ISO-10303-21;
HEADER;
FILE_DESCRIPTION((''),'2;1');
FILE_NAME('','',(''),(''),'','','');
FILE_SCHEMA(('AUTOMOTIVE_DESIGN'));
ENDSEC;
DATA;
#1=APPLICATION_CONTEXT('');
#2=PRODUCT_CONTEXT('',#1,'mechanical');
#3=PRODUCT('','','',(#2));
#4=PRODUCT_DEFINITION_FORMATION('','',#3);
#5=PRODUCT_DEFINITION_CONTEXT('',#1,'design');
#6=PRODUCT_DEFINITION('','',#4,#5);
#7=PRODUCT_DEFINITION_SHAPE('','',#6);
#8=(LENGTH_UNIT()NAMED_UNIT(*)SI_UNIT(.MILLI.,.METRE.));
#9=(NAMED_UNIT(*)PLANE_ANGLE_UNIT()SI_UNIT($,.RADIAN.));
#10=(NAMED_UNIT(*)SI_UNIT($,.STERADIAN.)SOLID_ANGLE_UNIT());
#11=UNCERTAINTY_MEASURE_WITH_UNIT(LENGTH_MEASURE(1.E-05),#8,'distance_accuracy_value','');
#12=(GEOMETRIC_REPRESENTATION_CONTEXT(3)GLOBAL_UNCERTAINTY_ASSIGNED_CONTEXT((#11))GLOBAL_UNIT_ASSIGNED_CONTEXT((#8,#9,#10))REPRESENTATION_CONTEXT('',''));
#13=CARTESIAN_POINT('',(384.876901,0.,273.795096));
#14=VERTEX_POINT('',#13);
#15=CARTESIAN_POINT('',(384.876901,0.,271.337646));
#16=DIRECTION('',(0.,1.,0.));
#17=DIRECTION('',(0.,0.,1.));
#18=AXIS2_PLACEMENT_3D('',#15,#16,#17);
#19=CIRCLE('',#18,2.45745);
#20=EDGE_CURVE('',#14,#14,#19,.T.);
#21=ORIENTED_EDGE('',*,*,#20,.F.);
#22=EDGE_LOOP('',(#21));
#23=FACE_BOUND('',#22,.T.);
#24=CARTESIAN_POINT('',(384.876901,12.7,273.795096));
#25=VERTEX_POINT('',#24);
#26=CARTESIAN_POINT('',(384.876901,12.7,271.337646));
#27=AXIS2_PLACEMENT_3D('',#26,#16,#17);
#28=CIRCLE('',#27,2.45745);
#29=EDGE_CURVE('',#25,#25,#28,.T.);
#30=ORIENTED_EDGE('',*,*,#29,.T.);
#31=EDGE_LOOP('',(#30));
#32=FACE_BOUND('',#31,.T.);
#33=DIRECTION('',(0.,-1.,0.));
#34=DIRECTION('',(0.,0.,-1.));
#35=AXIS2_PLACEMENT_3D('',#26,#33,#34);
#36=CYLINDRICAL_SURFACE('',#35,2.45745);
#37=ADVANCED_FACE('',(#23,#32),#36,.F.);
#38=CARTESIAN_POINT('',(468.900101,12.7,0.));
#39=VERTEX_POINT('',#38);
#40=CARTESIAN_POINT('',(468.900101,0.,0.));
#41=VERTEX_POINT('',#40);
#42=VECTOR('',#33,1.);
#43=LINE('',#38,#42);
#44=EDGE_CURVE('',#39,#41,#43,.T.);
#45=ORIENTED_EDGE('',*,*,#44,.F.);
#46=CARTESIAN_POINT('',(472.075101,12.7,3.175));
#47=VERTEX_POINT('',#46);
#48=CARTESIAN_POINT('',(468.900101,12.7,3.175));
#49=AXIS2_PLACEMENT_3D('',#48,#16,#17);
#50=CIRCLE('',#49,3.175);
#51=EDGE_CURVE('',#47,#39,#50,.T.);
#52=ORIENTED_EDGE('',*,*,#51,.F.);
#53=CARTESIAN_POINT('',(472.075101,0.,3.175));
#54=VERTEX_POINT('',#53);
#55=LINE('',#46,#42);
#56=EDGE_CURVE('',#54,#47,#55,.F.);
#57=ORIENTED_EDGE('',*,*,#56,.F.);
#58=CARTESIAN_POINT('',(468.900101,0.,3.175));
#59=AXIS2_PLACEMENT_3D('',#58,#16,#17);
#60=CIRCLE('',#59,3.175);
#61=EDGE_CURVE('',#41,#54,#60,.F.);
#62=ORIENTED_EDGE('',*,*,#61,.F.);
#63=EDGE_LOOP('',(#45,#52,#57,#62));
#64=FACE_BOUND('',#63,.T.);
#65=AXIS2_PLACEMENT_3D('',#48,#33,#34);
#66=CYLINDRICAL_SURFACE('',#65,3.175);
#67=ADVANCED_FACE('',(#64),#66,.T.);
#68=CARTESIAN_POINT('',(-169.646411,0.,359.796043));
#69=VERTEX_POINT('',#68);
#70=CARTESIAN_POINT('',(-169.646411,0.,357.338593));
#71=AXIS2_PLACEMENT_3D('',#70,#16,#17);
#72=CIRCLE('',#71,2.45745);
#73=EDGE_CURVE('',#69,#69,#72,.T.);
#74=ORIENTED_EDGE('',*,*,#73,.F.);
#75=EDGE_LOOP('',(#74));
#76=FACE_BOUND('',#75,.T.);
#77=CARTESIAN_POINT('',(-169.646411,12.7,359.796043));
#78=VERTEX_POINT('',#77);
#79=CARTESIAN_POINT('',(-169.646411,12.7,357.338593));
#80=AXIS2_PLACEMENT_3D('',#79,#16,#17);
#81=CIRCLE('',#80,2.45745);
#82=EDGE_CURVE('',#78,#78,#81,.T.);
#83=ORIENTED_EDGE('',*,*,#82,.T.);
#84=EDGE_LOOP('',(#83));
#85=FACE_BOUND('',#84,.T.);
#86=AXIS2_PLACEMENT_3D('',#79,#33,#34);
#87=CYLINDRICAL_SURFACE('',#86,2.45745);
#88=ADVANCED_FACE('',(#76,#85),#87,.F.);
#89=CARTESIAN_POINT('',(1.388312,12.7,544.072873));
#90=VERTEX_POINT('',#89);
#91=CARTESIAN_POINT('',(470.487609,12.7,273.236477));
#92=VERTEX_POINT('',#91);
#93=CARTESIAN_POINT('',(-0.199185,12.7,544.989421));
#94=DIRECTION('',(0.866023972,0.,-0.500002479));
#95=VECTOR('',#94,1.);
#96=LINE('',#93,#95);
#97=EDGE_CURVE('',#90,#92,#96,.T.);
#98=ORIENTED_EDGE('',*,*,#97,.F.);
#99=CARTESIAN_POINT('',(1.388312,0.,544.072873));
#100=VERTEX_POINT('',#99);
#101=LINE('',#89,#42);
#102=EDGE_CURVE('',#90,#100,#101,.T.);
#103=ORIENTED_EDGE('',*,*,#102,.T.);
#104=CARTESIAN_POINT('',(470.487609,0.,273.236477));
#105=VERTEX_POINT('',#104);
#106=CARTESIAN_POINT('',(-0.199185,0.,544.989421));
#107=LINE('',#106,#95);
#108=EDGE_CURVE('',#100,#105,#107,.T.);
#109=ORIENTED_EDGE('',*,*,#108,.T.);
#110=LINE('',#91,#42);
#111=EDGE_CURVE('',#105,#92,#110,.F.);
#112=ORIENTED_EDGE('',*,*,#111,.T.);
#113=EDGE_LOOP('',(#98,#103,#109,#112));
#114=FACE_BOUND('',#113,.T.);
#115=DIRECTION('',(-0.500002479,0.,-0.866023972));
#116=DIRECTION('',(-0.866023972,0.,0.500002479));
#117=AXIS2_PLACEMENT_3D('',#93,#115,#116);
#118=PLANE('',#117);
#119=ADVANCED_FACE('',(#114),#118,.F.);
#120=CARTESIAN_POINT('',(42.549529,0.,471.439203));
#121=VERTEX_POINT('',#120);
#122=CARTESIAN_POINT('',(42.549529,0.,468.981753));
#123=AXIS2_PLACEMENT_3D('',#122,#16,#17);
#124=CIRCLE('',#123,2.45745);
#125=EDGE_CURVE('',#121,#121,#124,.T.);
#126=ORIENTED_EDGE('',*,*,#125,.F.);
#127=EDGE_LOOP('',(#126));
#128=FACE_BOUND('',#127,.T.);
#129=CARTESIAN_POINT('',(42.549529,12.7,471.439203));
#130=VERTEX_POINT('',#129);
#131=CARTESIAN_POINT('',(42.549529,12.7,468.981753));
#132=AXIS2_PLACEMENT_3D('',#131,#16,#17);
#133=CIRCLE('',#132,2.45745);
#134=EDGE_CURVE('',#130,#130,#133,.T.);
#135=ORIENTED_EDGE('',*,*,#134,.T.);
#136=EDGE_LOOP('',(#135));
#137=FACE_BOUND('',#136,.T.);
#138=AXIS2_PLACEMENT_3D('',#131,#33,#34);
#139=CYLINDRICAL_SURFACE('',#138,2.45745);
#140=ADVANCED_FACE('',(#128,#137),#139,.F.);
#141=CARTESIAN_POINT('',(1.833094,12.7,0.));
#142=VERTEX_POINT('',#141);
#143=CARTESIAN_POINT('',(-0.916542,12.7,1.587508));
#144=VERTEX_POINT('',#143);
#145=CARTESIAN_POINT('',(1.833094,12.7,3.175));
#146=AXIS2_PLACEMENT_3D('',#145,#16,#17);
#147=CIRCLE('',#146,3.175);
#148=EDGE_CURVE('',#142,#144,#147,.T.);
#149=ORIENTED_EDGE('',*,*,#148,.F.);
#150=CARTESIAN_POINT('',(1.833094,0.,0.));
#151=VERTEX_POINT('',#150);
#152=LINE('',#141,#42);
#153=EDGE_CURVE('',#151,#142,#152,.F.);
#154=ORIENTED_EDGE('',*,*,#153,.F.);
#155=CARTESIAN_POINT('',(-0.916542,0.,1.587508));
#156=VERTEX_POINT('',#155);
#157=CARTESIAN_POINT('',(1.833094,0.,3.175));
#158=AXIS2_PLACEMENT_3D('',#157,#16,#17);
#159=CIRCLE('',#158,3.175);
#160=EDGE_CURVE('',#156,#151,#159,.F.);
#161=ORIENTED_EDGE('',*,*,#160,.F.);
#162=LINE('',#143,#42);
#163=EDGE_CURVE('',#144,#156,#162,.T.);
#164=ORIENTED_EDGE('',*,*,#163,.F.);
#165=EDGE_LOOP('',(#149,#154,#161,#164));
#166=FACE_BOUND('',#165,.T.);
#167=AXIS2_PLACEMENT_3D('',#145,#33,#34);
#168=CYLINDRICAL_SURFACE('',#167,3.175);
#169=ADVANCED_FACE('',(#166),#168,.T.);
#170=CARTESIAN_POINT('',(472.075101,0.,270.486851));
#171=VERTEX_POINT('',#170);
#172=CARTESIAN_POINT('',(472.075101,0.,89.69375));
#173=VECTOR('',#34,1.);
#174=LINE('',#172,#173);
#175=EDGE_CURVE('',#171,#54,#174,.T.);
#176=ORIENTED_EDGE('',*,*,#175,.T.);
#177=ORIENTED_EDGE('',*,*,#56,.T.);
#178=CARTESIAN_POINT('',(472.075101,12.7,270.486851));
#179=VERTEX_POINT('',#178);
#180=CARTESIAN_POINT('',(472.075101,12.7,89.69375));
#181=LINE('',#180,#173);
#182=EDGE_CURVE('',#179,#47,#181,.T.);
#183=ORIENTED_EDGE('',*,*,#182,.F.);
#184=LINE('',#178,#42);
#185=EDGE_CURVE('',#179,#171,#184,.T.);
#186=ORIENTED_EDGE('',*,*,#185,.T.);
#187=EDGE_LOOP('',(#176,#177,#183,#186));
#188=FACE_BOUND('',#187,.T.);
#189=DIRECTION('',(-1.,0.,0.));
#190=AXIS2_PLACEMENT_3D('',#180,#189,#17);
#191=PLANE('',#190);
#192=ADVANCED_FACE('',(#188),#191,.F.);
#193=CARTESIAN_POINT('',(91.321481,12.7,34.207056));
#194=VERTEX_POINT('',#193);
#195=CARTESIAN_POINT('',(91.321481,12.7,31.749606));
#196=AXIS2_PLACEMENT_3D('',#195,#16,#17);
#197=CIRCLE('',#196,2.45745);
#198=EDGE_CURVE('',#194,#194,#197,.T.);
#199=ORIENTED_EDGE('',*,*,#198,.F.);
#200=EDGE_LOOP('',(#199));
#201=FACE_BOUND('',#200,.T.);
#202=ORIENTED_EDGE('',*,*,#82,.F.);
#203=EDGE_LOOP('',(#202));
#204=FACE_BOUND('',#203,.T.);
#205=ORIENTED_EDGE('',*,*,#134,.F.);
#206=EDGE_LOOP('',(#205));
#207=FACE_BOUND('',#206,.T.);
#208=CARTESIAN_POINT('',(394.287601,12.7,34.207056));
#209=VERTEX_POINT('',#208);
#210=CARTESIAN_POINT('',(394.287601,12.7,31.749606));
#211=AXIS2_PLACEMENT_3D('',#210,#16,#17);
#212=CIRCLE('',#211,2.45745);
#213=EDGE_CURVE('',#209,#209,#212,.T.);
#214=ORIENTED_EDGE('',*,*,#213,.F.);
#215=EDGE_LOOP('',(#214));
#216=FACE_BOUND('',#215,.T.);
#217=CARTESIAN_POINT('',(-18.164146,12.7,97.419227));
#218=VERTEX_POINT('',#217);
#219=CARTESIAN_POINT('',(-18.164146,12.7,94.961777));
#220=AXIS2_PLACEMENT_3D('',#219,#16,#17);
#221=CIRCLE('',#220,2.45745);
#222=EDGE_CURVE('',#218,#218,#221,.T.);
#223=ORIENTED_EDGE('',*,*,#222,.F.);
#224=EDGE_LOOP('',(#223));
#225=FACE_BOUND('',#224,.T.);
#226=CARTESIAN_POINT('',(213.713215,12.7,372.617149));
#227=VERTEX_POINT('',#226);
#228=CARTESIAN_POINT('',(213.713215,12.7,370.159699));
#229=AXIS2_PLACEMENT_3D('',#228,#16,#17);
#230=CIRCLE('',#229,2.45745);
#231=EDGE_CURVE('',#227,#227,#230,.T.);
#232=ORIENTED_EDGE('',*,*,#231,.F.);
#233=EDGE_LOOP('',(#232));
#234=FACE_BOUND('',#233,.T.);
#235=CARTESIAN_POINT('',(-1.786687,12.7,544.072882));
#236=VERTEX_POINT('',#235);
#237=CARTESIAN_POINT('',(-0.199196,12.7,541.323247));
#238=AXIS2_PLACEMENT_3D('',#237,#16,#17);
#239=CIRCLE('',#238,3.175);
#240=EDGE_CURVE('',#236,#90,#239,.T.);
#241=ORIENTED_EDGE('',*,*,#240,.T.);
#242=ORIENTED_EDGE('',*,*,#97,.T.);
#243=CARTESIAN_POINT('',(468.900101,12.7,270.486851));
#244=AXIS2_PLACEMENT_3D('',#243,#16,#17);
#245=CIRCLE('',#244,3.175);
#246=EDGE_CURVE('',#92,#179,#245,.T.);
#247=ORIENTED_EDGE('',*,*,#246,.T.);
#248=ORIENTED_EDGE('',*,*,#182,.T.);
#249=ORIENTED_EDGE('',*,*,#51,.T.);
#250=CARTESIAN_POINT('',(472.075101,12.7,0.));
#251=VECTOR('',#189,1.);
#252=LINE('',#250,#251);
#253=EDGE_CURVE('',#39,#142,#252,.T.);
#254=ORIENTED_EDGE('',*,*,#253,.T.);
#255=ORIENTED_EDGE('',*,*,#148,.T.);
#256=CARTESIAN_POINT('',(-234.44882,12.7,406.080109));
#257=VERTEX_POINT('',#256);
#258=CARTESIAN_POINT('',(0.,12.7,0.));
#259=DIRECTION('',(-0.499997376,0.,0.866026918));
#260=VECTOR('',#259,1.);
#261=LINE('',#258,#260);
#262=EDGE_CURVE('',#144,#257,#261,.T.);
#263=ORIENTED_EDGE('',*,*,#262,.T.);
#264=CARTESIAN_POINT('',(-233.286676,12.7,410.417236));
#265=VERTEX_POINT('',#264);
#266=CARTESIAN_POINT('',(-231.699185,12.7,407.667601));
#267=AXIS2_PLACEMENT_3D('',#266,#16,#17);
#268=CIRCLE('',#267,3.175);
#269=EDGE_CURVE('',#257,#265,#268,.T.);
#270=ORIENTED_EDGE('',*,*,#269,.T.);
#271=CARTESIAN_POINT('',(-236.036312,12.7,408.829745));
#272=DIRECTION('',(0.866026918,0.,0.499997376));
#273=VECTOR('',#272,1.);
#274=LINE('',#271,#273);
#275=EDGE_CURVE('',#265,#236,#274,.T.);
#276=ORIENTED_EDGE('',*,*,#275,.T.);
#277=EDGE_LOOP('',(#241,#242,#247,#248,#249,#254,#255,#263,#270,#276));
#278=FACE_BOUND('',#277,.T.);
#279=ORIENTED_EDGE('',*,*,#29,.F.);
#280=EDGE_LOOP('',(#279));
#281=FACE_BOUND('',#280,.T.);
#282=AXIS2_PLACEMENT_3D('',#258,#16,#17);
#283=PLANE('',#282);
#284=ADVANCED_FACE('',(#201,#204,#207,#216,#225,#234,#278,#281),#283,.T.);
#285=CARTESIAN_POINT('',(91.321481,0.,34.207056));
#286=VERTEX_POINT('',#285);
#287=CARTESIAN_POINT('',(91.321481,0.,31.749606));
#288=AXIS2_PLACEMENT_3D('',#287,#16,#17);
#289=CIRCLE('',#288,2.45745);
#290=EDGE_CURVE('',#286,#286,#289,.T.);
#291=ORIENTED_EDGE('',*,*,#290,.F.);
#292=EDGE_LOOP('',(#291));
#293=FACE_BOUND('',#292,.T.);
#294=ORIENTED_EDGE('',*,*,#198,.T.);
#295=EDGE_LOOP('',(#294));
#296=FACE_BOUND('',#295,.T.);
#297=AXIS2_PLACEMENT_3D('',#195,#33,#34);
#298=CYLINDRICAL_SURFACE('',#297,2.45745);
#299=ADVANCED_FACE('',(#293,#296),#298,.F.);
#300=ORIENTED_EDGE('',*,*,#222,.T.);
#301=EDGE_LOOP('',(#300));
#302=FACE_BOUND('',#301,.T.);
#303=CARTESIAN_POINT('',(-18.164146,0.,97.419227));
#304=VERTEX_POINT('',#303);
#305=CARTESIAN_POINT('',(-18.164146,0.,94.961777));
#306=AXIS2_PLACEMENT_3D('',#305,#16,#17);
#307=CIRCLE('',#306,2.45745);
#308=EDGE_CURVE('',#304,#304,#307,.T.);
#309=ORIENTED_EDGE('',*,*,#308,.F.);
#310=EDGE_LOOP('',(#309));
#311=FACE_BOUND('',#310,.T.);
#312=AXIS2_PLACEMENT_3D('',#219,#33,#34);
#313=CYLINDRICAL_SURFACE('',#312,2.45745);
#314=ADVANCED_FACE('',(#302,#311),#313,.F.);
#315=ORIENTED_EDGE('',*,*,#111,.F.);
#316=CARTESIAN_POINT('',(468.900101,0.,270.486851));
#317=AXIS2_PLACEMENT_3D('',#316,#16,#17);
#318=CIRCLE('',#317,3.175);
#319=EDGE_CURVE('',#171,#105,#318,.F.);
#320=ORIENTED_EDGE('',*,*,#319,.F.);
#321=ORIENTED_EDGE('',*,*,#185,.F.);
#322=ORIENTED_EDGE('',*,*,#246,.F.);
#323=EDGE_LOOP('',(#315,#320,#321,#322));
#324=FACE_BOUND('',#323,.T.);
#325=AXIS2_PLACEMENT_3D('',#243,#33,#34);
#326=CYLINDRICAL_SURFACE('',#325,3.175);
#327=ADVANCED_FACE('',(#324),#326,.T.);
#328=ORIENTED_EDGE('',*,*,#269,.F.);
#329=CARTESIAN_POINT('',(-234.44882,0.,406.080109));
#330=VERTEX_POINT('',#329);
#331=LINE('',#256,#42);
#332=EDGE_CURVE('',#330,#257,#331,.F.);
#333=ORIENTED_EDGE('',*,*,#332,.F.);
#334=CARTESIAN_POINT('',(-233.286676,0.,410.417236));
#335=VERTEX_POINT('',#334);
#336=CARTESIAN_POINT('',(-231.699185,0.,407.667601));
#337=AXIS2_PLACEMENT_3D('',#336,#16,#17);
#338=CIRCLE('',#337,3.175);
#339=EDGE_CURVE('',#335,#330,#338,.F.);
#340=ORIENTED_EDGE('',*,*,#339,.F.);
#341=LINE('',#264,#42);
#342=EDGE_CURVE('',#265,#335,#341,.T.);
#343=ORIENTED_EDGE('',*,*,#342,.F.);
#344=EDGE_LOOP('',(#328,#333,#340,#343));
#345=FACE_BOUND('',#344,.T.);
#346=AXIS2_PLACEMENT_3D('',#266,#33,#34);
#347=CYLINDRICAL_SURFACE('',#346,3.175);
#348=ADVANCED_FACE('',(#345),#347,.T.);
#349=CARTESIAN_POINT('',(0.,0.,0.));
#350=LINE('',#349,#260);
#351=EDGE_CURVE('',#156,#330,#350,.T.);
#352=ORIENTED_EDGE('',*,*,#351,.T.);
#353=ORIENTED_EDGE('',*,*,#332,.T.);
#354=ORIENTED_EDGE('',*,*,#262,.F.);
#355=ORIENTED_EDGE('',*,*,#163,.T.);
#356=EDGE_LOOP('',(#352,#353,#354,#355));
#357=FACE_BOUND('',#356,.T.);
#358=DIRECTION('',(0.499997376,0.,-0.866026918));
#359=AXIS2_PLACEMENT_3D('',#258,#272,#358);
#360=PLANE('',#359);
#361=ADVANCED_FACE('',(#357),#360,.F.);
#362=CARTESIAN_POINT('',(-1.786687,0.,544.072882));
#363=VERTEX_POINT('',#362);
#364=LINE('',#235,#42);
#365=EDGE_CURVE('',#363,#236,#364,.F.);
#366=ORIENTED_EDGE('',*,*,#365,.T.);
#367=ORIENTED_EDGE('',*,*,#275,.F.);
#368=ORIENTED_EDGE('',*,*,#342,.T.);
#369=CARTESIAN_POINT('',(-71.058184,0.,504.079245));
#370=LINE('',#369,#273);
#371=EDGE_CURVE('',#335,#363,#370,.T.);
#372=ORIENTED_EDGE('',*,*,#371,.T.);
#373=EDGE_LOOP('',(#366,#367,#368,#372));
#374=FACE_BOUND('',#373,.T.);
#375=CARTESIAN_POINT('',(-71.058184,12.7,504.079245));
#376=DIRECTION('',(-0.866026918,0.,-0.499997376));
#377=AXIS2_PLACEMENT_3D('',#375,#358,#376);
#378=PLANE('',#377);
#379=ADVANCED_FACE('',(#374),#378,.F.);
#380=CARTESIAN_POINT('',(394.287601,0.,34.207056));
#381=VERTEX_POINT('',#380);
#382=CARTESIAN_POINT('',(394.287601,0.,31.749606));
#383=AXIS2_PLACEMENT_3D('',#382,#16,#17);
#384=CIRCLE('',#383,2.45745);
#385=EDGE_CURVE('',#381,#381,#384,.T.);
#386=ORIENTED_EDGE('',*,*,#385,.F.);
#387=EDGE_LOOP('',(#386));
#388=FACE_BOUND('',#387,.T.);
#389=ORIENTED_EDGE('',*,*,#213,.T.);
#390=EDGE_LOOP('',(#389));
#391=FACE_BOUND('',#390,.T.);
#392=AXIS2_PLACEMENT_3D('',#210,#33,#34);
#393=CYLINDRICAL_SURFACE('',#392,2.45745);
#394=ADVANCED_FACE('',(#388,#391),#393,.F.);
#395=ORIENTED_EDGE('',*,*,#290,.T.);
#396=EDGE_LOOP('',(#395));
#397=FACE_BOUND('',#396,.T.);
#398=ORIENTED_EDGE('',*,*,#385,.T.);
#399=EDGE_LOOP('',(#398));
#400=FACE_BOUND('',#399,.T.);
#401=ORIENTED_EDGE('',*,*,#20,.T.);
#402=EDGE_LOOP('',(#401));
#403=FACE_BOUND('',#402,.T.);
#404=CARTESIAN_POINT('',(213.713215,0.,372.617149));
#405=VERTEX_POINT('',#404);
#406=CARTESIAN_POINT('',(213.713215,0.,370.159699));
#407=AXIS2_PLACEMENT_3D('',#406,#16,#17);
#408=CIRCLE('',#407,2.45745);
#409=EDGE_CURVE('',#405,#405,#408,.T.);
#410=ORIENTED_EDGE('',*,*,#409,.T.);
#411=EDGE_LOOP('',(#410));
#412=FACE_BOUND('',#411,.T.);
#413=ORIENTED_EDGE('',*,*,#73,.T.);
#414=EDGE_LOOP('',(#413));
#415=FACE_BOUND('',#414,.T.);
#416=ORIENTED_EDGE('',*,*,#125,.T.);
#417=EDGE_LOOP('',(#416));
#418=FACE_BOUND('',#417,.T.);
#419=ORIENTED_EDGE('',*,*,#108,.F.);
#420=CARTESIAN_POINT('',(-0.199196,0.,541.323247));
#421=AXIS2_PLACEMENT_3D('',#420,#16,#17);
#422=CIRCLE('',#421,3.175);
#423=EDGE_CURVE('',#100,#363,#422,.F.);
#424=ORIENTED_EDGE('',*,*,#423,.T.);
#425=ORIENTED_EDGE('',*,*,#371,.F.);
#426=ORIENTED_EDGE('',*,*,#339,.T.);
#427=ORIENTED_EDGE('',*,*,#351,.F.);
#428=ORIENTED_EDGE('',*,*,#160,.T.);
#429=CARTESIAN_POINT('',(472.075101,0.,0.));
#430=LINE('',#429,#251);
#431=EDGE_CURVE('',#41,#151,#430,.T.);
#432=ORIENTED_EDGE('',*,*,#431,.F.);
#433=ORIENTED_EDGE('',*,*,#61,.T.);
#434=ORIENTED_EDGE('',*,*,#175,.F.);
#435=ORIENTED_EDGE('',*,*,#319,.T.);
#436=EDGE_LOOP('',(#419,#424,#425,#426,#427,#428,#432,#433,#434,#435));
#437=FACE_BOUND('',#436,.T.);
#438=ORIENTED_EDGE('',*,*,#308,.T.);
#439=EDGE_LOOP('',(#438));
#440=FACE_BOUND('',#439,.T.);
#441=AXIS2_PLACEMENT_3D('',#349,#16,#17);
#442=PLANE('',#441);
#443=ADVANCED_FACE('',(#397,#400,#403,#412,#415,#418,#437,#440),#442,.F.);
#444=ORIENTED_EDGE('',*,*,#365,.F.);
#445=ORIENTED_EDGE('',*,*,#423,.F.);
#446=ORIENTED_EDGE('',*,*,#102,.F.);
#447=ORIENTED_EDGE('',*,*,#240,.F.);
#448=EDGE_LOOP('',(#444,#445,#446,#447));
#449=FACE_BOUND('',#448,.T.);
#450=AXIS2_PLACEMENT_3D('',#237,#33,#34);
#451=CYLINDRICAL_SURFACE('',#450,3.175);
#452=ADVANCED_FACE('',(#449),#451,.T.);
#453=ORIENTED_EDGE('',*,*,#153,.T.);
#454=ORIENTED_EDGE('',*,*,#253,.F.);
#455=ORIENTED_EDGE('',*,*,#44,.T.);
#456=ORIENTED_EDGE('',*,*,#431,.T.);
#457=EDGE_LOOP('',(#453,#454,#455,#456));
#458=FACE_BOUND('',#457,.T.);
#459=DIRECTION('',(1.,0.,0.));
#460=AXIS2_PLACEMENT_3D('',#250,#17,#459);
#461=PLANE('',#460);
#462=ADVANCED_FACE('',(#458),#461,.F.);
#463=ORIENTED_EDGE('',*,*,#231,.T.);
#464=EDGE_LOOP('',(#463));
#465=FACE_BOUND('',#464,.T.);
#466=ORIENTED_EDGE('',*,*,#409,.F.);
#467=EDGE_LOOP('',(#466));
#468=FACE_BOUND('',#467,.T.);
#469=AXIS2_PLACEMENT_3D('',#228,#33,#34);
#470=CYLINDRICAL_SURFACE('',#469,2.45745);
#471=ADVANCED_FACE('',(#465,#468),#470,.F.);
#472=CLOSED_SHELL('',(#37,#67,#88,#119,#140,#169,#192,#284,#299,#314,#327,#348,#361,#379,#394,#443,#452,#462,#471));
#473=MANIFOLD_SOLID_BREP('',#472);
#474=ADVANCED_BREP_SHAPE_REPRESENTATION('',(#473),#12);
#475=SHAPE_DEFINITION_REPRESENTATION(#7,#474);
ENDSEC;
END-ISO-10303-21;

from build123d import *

# Parameters (mm, degrees)
SKETCH1_R           = 2.45745
BOSS_EXTRUDE1_DEPTH = 12.7
FILLET1_R           = 3.175


with BuildPart() as part:
    # Sketch1 → Boss-Extrude1 (new body)
    with BuildSketch(Plane(origin=(0, 0, 0), x_dir=(1, 0, 0), z_dir=(0, 1, 0))):
        Polygon((-0.199185023, -544.98942083), (472.075100704, -272.319932268), (472.075100704, -189.70625), (472.075100704, -89.69375), (472.075100704, 0), (0, 0), (-236.036311861, -408.829744745), (-159.04651881, -453.279511515), (-71.058183894, -504.079244967), align=None)
        with Locations((-169.646411276, -357.338592529)):
            Circle(SKETCH1_R, mode=Mode.SUBTRACT)
        with Locations((-18.164146109, -94.961777227)):
            Circle(SKETCH1_R, mode=Mode.SUBTRACT)
        with Locations((91.321480704, -31.749605568)):
            Circle(SKETCH1_R, mode=Mode.SUBTRACT)
        with Locations((394.287600704, -31.749605568)):
            Circle(SKETCH1_R, mode=Mode.SUBTRACT)
        with Locations((384.876900704, -271.337645568)):
            Circle(SKETCH1_R, mode=Mode.SUBTRACT)
        with Locations((213.713214706, -370.159699049)):
            Circle(SKETCH1_R, mode=Mode.SUBTRACT)
        with Locations((42.549528708, -468.981752529)):
            Circle(SKETCH1_R, mode=Mode.SUBTRACT)
    extrude(amount=BOSS_EXTRUDE1_DEPTH)

    # Fillet1
    fillet1_edges = [part.edges().sort_by_distance(p)[0] for p in [
        (472.075100704, 6.35, 272.319932268),
        (-0.199185023, 6.35, 544.98942083),
        (-236.036311861, 6.35, 408.829744745),
        (0, 6.35, 0),
        (472.075100704, 6.35, 0),
    ]]
    fillet(fillet1_edges, radius=FILLET1_R)


solid = part.part
